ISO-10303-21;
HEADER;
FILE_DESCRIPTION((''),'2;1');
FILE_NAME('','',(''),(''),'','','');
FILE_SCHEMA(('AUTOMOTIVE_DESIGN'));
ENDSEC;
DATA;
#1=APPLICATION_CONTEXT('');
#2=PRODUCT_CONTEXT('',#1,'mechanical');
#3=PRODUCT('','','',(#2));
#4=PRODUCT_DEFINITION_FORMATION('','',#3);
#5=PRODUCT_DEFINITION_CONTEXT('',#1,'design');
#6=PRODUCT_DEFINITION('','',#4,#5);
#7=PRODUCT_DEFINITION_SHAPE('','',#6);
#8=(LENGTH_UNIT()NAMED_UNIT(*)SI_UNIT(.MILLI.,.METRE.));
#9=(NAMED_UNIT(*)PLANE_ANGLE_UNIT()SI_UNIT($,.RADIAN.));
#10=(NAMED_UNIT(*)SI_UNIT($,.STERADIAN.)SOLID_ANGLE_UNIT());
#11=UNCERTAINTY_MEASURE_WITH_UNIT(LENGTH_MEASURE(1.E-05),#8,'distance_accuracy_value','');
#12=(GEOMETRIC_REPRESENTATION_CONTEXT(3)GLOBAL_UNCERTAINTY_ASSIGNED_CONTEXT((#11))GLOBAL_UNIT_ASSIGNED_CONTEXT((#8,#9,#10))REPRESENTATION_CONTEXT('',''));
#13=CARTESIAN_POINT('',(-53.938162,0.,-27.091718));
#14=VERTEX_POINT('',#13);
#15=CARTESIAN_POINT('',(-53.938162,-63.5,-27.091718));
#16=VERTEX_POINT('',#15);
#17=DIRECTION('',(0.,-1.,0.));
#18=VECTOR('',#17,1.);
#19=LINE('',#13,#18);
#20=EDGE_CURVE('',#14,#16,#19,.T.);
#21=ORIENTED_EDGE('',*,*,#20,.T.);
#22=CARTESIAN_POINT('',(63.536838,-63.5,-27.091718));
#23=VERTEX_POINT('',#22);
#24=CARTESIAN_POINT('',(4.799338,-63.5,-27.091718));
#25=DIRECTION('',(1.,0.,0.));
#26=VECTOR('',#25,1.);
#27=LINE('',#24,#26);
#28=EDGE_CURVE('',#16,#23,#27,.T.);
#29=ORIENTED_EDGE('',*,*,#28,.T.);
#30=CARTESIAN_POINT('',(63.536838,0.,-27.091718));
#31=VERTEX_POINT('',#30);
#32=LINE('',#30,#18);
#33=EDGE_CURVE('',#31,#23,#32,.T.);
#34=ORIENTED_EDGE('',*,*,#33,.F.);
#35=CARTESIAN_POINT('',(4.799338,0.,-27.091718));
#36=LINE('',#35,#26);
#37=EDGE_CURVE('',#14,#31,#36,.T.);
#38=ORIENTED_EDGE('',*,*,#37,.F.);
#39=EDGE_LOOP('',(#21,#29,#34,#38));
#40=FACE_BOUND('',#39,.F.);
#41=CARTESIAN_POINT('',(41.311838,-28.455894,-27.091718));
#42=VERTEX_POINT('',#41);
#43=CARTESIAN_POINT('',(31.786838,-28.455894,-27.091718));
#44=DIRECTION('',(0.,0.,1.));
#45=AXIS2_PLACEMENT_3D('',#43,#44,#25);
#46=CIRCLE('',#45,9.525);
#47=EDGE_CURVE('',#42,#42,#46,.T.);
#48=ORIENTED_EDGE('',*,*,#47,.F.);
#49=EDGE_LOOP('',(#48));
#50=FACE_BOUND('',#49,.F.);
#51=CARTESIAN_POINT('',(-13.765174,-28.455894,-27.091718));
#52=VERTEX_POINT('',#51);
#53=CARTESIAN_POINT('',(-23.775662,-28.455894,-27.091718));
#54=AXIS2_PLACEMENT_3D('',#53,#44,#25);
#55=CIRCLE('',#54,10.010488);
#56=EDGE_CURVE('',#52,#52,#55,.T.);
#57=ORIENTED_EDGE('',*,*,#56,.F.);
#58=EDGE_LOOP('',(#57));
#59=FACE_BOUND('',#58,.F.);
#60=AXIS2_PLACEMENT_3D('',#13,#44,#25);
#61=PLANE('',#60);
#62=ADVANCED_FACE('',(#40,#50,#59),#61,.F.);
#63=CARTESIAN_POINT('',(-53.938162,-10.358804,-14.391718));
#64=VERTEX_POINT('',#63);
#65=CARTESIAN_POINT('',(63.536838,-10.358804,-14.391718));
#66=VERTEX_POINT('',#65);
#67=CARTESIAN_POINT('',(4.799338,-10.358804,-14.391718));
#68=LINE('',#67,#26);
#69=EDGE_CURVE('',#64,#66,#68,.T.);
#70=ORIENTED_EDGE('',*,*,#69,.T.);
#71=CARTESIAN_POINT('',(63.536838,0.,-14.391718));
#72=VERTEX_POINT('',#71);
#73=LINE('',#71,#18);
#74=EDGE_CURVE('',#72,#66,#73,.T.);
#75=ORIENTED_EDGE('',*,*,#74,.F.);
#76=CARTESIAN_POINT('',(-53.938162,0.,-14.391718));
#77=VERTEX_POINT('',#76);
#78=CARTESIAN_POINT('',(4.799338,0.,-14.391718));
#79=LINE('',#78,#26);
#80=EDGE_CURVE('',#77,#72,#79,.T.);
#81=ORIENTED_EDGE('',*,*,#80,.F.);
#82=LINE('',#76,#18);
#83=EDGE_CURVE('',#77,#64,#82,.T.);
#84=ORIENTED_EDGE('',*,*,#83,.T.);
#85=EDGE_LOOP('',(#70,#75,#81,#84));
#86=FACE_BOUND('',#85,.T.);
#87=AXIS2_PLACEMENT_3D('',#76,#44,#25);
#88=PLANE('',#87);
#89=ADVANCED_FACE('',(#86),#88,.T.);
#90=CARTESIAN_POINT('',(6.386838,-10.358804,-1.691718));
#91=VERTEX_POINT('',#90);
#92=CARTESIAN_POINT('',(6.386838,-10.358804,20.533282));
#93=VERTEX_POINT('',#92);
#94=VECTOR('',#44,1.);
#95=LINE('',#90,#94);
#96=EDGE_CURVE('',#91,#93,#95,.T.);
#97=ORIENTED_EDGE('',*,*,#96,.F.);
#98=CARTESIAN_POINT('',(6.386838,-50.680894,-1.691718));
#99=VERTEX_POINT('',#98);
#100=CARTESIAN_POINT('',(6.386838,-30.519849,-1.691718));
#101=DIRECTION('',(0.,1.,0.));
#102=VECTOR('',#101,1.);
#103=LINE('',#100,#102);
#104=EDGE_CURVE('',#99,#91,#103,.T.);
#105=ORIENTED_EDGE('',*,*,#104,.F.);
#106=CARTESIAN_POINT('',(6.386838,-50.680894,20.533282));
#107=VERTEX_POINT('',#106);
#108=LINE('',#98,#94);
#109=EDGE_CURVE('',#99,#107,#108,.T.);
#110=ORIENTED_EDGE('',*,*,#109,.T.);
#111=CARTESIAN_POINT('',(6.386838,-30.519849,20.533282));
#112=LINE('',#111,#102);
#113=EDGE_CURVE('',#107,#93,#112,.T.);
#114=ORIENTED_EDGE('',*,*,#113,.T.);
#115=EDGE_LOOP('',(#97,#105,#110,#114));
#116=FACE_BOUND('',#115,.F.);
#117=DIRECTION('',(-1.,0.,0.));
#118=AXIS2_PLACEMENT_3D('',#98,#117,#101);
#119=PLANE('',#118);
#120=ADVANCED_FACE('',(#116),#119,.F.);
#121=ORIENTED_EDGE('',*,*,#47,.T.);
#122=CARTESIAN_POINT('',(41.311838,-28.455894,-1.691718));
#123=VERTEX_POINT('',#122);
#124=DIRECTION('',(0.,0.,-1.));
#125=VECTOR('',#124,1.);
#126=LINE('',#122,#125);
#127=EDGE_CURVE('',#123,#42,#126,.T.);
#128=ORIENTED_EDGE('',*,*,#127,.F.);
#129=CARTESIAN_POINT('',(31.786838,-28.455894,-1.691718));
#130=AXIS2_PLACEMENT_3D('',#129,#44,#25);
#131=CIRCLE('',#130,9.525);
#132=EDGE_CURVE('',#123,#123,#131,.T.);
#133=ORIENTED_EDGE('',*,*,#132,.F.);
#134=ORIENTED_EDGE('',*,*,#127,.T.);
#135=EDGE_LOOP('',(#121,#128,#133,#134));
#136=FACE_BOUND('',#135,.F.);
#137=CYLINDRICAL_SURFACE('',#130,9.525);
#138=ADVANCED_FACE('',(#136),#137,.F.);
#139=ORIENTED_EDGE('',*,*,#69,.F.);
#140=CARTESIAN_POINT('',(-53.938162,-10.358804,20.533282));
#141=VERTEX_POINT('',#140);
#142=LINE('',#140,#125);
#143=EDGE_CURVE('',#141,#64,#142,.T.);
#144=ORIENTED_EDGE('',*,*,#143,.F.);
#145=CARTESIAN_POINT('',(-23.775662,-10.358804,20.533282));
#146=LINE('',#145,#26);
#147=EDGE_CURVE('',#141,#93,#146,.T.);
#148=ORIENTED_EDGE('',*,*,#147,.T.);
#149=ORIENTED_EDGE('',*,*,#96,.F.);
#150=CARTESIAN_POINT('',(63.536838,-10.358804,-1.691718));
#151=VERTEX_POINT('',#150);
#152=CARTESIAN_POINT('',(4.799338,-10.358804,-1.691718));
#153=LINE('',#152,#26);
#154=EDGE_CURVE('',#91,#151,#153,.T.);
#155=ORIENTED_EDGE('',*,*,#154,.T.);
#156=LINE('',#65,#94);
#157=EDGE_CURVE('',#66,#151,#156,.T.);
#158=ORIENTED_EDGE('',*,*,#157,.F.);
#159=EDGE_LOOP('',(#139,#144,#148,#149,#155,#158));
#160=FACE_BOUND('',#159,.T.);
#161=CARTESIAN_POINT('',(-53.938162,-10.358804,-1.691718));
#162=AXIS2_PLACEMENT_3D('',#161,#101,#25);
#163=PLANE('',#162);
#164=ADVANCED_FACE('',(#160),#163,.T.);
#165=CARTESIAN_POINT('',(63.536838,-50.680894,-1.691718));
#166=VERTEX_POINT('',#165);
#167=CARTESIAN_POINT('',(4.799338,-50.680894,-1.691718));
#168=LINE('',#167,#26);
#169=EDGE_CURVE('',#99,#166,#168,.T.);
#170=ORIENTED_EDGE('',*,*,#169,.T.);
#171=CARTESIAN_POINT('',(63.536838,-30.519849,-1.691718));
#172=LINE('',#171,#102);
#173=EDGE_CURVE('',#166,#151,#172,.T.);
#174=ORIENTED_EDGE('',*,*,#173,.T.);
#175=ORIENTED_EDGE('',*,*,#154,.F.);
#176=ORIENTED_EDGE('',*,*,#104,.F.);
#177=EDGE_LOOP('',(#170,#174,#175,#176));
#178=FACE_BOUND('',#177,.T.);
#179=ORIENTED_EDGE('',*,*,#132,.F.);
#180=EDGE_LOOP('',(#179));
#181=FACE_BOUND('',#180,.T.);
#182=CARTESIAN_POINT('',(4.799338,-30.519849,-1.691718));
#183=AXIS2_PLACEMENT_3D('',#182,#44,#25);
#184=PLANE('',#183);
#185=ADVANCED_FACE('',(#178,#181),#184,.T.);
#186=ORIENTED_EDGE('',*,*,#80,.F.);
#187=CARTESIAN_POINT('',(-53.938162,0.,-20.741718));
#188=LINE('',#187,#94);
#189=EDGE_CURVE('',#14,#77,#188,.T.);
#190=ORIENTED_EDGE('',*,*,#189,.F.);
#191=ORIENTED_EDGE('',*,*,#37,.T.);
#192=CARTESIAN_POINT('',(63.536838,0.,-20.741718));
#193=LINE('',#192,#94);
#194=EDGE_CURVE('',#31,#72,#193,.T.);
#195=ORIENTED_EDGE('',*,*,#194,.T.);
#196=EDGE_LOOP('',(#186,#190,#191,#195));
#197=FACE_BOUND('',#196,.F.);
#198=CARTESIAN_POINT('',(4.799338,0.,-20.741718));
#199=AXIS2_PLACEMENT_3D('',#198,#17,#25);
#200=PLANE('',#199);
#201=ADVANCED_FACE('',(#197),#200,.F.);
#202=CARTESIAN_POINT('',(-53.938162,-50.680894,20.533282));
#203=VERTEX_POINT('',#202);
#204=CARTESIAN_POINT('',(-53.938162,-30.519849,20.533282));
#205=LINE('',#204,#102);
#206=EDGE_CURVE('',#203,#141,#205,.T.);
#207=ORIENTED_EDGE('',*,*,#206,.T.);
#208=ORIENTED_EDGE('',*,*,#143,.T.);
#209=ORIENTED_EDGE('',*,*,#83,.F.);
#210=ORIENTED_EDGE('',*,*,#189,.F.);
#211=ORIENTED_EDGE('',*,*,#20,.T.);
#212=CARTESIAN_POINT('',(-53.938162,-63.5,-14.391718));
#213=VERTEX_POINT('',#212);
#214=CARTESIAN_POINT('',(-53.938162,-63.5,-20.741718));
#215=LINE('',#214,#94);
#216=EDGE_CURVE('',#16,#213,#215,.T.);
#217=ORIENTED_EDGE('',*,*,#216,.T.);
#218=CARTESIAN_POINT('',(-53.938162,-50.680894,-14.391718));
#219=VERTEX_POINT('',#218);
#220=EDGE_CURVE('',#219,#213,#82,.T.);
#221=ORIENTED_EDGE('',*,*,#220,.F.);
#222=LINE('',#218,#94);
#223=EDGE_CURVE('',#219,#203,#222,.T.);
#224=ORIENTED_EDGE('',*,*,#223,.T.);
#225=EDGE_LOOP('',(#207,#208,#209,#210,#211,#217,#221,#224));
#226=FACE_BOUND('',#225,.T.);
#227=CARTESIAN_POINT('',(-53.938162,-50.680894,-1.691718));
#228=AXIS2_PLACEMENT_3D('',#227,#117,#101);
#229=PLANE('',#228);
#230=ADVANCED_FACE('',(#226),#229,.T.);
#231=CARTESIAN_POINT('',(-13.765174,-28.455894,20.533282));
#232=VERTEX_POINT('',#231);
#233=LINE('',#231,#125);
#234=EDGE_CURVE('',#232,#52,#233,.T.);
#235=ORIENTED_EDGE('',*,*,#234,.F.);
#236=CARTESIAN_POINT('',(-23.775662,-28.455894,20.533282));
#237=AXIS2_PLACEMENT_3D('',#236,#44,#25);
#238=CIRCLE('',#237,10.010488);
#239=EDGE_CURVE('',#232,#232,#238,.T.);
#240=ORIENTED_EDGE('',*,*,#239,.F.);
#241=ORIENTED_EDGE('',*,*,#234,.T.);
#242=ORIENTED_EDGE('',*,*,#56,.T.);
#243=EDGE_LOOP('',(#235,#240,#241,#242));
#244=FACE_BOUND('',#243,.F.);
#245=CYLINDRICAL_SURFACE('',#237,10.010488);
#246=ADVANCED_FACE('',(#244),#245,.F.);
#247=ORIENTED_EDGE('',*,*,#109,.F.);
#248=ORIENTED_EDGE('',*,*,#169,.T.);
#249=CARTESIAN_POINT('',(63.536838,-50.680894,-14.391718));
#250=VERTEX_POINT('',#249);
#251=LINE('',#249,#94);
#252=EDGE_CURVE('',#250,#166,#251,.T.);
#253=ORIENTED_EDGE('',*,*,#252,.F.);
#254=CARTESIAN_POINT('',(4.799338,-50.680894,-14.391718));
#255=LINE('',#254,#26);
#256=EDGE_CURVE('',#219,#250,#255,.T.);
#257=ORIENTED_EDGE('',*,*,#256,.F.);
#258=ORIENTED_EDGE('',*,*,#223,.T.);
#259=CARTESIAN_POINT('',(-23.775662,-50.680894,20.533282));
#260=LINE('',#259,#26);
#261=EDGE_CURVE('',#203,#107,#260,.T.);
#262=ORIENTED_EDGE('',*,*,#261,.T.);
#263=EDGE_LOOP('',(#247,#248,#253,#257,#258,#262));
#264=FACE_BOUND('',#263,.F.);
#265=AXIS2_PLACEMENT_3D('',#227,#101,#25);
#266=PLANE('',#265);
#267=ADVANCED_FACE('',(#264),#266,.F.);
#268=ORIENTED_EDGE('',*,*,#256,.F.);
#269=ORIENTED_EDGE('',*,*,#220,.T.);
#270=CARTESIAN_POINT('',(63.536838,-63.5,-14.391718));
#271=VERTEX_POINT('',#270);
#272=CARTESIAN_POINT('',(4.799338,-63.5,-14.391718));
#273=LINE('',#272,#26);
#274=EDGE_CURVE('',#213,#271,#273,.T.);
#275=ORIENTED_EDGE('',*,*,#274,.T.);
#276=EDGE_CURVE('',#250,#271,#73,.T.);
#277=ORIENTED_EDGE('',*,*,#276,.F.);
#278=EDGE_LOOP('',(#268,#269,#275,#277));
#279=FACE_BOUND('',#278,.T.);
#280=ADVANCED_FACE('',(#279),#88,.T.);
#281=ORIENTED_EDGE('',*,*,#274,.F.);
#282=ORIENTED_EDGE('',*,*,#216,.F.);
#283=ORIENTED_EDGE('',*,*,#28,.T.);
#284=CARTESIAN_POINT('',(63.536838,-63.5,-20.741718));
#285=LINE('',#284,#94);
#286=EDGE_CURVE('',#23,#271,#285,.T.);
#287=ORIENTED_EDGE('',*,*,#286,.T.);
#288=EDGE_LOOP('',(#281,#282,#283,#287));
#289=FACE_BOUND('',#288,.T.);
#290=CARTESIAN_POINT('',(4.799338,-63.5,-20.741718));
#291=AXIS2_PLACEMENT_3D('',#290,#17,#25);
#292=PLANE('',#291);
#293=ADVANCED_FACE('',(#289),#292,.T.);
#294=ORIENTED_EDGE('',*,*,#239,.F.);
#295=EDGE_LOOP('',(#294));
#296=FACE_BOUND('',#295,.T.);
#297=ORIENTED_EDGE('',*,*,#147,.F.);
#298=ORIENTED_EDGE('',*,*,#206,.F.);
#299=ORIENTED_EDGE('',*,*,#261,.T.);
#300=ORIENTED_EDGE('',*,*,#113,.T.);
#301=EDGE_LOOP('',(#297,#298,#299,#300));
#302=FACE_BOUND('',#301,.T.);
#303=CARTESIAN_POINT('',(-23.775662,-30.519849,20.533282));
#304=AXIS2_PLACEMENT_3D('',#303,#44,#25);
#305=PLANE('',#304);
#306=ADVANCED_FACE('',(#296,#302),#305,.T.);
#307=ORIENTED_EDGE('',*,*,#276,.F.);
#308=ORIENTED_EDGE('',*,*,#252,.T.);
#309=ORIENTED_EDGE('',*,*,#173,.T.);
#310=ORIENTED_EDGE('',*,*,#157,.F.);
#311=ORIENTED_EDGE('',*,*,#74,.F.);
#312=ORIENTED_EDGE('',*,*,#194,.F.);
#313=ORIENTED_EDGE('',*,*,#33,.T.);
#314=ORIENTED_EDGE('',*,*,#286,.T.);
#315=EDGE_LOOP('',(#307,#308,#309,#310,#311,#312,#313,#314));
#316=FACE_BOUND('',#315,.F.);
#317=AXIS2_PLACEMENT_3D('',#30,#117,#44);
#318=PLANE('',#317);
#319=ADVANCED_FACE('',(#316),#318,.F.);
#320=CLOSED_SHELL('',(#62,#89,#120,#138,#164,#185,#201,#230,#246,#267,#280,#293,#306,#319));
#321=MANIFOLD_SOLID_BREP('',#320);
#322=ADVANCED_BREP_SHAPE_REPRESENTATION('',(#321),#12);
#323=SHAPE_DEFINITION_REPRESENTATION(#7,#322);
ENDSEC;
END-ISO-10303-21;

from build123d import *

# Parameters (mm, degrees)
F0_W     = 117.475
F0_H     = 12.7
F1_DEPTH = 63.5
F2_W     = 117.475
F2_H     = 40.322089
F3_DEPTH = 12.7
F4_W     = 60.325
F4_H     = 40.322089
F5_DEPTH = 22.225
F6_R     = 9.525
F7_DEPTH = 25.4
F8_R     = 10.010488
F9_DEPTH = 47.879


with BuildPart() as f1:
    # F0 (on Front) → F1 (new body)
    with BuildSketch(Plane.XZ):
        with Locations((4.799338, -20.741718)):
            Rectangle(F0_W, F0_H)
    extrude(amount=F1_DEPTH)

    # F2 (on face) → F3 (join)
    with BuildSketch(Plane.XY.offset(-14.391718)):
        with Locations((4.799338, -30.519849)):
            Rectangle(F2_W, F2_H)
    extrude(amount=F3_DEPTH)

    # F4 (on face) → F5 (join)
    with BuildSketch(Plane.XY.offset(-1.691718)):
        with Locations((-23.775662, -30.519849)):
            Rectangle(F4_W, F4_H)
    extrude(amount=F5_DEPTH)

    # F6 (on face) → F7 (cut)
    with BuildSketch(Plane.XY.offset(-1.691718)):
        with Locations((31.786838, -28.455894)):
            Circle(F6_R)
    extrude(amount=-F7_DEPTH, mode=Mode.SUBTRACT)

    # F8 (on face) → F9 (cut)
    with BuildSketch(Plane.XY.offset(20.533282)):
        with Locations((-23.775662, -28.455894)):
            Circle(F8_R)
    extrude(amount=-F9_DEPTH, mode=Mode.SUBTRACT)


solid = f1.part
